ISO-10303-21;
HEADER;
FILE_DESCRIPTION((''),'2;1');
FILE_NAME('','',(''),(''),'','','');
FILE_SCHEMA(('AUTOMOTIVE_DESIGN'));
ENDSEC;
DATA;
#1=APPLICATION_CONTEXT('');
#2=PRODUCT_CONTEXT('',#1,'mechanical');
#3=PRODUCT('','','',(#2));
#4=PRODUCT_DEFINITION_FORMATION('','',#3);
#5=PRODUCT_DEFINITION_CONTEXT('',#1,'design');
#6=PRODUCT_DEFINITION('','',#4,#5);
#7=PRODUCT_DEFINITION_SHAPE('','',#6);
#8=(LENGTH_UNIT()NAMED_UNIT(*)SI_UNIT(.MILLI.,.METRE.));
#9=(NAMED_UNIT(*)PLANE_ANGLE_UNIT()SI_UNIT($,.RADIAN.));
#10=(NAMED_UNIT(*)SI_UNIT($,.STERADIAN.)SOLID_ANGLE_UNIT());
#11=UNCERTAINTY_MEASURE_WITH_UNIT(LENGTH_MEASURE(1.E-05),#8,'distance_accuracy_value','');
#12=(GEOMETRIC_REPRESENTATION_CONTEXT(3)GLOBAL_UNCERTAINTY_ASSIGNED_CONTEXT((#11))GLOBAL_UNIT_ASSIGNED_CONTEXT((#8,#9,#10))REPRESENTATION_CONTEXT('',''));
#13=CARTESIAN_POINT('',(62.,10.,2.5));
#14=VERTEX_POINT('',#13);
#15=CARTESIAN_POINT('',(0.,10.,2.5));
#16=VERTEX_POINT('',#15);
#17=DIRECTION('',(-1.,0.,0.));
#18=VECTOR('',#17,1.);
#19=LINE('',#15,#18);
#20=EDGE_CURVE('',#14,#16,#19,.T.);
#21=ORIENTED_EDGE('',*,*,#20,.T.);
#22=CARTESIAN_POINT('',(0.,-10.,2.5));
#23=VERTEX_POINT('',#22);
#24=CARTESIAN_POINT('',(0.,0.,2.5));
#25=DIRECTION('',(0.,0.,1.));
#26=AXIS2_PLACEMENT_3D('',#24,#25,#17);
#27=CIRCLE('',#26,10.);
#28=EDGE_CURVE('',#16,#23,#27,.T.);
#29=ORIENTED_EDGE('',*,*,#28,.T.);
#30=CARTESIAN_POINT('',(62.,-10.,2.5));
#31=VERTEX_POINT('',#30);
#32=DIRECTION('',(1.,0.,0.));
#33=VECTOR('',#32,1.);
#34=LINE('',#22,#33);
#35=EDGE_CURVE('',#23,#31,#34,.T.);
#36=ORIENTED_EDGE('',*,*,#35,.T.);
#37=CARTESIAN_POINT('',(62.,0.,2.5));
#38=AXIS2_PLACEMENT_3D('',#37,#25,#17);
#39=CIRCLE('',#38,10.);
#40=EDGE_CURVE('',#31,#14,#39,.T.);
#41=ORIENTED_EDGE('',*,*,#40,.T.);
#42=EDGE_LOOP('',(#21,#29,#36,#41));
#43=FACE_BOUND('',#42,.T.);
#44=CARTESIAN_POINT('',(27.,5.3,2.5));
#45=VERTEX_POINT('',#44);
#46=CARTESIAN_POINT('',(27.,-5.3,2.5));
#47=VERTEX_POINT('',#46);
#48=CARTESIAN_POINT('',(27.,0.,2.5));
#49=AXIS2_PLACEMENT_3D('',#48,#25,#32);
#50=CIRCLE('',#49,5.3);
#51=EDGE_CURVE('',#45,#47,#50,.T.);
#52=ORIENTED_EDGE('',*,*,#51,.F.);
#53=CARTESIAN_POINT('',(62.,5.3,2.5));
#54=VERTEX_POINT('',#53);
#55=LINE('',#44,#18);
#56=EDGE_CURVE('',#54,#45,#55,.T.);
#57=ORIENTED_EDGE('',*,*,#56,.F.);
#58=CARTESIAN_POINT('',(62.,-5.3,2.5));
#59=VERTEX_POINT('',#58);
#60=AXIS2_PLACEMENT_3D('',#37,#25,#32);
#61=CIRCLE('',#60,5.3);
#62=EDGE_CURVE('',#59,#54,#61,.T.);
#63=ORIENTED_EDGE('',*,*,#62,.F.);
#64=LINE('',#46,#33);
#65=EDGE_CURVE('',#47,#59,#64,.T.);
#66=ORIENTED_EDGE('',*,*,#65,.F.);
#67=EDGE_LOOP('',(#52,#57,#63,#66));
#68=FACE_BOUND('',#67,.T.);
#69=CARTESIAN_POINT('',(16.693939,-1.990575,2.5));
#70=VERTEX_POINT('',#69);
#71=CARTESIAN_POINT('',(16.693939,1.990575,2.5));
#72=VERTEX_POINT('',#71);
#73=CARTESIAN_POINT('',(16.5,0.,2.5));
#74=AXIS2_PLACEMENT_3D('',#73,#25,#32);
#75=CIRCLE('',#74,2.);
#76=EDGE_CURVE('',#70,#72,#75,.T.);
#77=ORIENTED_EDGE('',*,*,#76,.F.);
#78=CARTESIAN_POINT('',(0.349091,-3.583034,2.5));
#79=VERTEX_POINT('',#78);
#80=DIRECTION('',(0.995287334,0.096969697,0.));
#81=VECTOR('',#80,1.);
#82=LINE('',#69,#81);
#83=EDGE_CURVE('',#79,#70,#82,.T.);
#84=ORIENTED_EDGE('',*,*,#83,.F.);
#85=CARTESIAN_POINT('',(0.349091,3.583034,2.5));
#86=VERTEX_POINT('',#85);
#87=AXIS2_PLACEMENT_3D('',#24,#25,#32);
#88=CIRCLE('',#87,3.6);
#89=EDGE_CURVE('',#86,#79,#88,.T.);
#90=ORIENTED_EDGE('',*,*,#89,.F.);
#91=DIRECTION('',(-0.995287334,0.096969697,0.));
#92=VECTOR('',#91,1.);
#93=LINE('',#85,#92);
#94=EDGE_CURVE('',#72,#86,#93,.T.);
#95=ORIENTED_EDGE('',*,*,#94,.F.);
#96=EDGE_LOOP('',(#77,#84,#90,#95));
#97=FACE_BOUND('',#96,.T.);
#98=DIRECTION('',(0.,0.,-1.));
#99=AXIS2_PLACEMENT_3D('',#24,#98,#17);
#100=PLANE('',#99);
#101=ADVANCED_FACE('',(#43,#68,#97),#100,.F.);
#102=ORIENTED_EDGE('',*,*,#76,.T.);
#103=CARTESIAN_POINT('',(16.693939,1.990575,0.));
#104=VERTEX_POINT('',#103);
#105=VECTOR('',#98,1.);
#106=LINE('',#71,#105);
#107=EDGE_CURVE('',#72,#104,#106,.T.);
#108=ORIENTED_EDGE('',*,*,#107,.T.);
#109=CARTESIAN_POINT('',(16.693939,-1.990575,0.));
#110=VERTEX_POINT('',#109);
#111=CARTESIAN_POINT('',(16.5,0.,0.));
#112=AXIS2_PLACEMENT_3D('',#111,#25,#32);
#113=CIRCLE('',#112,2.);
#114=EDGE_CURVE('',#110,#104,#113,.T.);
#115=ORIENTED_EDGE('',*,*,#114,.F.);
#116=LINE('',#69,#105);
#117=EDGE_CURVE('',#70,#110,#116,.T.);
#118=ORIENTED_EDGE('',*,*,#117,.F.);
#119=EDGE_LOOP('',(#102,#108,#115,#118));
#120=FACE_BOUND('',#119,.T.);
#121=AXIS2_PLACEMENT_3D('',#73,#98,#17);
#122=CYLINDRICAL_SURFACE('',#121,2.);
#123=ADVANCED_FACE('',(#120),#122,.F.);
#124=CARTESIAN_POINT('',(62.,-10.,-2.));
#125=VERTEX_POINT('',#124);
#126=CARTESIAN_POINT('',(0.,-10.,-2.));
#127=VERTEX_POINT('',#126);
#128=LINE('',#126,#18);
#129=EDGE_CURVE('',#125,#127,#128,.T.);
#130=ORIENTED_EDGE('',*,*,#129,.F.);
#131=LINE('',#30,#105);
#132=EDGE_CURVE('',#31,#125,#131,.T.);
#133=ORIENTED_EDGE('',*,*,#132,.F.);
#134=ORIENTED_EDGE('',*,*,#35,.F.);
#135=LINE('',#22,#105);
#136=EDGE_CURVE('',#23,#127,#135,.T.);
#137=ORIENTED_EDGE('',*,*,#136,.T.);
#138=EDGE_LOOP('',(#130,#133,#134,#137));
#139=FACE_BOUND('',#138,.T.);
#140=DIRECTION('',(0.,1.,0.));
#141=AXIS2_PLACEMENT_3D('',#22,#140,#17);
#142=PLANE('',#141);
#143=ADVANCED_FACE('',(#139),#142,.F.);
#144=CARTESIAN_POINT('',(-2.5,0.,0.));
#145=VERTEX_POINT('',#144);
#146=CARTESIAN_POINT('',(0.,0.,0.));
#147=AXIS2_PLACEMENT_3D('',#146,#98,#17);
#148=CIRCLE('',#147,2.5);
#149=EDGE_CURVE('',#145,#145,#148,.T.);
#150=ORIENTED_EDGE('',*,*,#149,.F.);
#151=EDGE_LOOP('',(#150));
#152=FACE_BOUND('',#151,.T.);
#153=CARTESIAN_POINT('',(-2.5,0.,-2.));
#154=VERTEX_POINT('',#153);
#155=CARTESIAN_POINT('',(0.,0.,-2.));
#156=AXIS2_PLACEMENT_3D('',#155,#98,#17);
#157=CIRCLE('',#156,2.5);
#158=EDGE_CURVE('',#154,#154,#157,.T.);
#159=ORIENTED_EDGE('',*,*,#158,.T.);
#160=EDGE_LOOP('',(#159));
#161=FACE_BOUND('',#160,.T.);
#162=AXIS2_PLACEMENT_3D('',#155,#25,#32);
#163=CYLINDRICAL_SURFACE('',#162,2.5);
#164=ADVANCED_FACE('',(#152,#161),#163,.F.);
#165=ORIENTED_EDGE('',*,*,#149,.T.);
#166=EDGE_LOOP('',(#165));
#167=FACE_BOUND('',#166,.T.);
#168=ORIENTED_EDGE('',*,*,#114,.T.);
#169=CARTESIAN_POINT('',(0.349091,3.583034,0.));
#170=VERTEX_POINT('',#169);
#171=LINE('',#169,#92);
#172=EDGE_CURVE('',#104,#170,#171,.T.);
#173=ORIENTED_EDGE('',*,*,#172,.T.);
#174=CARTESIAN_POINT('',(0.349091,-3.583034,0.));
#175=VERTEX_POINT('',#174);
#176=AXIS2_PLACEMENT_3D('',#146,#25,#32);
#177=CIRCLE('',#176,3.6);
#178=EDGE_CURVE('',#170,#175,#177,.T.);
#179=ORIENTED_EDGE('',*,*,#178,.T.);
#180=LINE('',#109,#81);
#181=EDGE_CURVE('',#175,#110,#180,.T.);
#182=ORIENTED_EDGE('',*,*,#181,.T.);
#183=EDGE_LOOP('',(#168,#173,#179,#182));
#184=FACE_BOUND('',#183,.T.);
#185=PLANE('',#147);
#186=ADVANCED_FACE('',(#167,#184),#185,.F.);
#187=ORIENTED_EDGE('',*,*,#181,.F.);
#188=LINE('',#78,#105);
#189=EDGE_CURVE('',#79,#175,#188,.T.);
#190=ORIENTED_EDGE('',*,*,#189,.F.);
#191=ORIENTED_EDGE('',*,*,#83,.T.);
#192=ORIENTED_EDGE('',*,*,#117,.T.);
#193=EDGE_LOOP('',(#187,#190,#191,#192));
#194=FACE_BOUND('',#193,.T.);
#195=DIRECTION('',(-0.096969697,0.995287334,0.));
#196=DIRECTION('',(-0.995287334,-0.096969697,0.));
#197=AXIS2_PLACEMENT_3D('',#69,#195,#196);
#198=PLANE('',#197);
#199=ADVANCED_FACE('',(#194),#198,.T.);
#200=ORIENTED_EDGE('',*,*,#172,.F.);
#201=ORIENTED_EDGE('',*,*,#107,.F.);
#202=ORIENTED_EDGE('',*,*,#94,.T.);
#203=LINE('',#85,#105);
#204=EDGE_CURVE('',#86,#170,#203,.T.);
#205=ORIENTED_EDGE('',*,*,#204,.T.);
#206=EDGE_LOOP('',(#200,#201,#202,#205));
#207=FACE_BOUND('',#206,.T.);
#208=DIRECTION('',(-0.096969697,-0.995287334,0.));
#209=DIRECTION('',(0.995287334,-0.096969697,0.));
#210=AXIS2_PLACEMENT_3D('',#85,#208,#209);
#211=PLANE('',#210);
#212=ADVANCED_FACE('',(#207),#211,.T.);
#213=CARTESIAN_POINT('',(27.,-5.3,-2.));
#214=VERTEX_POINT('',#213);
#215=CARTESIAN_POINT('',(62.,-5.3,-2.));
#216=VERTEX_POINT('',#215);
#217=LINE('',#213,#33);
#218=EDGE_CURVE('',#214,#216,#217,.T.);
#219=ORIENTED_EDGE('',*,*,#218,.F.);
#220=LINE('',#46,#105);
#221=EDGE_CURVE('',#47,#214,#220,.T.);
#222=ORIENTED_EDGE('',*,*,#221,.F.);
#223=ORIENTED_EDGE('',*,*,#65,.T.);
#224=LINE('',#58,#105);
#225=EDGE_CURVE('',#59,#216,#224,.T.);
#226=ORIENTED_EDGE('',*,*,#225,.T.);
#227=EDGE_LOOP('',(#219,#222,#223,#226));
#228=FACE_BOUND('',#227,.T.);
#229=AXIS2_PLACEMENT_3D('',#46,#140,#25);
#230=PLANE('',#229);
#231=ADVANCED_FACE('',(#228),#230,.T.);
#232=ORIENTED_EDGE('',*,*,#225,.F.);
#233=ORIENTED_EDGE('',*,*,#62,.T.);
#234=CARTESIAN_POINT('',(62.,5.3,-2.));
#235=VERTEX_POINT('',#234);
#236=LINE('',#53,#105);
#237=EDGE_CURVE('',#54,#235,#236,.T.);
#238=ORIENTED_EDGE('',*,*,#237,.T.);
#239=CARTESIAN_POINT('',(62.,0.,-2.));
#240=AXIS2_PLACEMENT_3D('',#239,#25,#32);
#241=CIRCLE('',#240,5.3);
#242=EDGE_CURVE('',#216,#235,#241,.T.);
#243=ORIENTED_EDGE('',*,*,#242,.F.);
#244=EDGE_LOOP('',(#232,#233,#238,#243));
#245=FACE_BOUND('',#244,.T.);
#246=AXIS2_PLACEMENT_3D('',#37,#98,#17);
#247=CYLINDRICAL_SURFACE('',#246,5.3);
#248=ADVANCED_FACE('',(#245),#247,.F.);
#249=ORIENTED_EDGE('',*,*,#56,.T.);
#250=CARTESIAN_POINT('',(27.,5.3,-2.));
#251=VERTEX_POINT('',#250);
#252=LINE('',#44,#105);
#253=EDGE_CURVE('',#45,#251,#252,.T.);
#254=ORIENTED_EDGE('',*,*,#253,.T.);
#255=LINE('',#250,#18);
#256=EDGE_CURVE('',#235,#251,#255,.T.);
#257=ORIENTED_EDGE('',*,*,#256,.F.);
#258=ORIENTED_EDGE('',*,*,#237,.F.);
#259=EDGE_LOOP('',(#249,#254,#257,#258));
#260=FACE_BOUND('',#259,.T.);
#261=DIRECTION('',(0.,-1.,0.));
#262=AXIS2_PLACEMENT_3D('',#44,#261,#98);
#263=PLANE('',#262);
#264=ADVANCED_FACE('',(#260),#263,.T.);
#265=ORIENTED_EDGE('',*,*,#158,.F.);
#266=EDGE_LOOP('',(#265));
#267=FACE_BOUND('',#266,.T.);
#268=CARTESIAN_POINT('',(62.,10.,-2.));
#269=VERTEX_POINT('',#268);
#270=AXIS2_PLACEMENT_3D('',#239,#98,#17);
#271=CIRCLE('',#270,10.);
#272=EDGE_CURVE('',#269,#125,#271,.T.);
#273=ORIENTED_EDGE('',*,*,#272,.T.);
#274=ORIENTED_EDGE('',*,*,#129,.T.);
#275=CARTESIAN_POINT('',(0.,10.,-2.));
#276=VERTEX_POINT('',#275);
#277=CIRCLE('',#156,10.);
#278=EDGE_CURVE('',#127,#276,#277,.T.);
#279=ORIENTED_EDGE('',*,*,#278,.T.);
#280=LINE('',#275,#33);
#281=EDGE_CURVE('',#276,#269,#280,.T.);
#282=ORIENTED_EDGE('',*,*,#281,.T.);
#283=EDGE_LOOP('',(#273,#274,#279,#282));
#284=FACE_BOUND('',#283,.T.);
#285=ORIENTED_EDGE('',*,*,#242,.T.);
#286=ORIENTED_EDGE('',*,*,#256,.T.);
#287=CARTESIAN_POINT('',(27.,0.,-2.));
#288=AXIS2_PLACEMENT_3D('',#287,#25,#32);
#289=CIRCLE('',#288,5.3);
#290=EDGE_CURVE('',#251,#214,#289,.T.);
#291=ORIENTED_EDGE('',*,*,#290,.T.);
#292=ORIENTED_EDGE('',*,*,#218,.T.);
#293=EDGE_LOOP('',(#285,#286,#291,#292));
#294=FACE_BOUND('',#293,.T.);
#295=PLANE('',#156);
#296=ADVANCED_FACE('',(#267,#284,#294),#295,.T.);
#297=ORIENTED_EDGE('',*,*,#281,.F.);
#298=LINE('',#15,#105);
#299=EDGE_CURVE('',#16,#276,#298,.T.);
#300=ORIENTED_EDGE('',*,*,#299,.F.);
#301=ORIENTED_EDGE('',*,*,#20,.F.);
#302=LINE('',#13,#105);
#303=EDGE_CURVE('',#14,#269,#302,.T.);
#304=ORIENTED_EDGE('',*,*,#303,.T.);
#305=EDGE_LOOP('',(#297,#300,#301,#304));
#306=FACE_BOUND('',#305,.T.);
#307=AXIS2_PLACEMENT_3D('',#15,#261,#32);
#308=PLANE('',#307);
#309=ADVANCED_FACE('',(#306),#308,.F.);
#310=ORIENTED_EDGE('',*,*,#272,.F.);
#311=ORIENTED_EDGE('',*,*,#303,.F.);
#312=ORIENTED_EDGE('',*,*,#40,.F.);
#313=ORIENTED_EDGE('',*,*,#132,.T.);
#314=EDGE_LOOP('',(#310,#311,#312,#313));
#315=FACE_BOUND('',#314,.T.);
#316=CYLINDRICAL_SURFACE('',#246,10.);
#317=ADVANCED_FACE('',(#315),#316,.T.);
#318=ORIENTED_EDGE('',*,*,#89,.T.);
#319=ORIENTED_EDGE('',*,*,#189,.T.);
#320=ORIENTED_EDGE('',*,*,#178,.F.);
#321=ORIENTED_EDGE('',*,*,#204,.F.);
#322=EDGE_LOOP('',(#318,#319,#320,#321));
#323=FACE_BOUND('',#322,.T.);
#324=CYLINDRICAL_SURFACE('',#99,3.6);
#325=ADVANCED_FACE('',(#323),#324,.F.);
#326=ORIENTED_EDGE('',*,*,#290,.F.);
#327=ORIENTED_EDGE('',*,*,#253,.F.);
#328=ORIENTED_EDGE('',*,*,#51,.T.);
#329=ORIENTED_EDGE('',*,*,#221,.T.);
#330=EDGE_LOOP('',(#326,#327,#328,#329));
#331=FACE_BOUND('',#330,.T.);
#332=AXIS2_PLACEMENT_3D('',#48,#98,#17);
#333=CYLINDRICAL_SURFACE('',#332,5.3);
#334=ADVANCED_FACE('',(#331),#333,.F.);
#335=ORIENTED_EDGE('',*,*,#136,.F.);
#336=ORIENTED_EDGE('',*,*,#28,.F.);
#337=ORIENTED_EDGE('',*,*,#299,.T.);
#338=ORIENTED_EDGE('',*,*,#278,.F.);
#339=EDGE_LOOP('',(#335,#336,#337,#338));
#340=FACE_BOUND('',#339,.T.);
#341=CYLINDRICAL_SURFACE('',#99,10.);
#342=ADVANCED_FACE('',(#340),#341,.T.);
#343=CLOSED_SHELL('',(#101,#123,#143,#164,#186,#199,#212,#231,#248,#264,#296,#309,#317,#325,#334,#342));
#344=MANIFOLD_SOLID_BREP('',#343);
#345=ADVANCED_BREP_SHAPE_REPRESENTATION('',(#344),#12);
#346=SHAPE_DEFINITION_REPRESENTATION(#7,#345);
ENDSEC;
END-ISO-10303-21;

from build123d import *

# Parameters (mm, degrees)
MAIN_DEPTH            = 2.5
ESQUISSE2_R           = 2.5
ORIGINALBRACKET_DEPTH = 2
CUT_EXTRUDE1_DEPTH    = 3


with BuildPart() as part:
    # Esquisse1 → Main (new body)
    with BuildSketch(Plane.XY):
        with BuildLine():
            Line((0, 10), (62, 10))
            ThreePointArc((62, 10), (72, 0), (62, -10))
            Line((62, -10), (0, -10))
            ThreePointArc((0, -10), (-10, 0), (0, 10))
        make_face()
        with BuildLine():
            Line((0.349090909, 3.583034404), (16.693939394, 1.990574669))
            ThreePointArc((16.693939394, 1.990574669), (18.5, 0), (16.693939394, -1.990574669))
            Line((16.693939394, -1.990574669), (0.349090909, -3.583034404))
            ThreePointArc((0.349090909, -3.583034404), (-3.6, 0), (0.349090909, 3.583034404))
        make_face(mode=Mode.SUBTRACT)
        with BuildLine():
            Line((27, 5.3), (62, 5.3))
            ThreePointArc((62, 5.3), (67.3, 0), (62, -5.3))
            Line((62, -5.3), (27, -5.3))
            ThreePointArc((27, -5.3), (21.7, 0), (27, 5.3))
        make_face(mode=Mode.SUBTRACT)
    extrude(amount=MAIN_DEPTH)

    # Esquisse2 → OriginalBracket (add)
    with BuildSketch(Plane(origin=(0, 0, 0), x_dir=(-1, 0, 0), z_dir=(0, 0, -1))):
        with BuildLine():
            Line((0, -10), (-62, -10))
            ThreePointArc((-62, -10), (-72, 0), (-62, 10))
            Line((-62, 10), (0, 10))
            ThreePointArc((0, 10), (10, 0), (0, -10))
        make_face()
        Circle(ESQUISSE2_R, mode=Mode.SUBTRACT)
    extrude(amount=ORIGINALBRACKET_DEPTH)

    # Sketch1 → Cut-Extrude1 (cut, through all)
    with BuildSketch(Plane.XY):
        with BuildLine():
            Line((27, 5.3), (62, 5.3))
            ThreePointArc((62, 5.3), (67.3, 0), (62, -5.3))
            Line((62, -5.3), (27, -5.3))
            ThreePointArc((27, -5.3), (21.7, 0), (27, 5.3))
        make_face()
    extrude(amount=-CUT_EXTRUDE1_DEPTH, mode=Mode.SUBTRACT)


solid = part.part
